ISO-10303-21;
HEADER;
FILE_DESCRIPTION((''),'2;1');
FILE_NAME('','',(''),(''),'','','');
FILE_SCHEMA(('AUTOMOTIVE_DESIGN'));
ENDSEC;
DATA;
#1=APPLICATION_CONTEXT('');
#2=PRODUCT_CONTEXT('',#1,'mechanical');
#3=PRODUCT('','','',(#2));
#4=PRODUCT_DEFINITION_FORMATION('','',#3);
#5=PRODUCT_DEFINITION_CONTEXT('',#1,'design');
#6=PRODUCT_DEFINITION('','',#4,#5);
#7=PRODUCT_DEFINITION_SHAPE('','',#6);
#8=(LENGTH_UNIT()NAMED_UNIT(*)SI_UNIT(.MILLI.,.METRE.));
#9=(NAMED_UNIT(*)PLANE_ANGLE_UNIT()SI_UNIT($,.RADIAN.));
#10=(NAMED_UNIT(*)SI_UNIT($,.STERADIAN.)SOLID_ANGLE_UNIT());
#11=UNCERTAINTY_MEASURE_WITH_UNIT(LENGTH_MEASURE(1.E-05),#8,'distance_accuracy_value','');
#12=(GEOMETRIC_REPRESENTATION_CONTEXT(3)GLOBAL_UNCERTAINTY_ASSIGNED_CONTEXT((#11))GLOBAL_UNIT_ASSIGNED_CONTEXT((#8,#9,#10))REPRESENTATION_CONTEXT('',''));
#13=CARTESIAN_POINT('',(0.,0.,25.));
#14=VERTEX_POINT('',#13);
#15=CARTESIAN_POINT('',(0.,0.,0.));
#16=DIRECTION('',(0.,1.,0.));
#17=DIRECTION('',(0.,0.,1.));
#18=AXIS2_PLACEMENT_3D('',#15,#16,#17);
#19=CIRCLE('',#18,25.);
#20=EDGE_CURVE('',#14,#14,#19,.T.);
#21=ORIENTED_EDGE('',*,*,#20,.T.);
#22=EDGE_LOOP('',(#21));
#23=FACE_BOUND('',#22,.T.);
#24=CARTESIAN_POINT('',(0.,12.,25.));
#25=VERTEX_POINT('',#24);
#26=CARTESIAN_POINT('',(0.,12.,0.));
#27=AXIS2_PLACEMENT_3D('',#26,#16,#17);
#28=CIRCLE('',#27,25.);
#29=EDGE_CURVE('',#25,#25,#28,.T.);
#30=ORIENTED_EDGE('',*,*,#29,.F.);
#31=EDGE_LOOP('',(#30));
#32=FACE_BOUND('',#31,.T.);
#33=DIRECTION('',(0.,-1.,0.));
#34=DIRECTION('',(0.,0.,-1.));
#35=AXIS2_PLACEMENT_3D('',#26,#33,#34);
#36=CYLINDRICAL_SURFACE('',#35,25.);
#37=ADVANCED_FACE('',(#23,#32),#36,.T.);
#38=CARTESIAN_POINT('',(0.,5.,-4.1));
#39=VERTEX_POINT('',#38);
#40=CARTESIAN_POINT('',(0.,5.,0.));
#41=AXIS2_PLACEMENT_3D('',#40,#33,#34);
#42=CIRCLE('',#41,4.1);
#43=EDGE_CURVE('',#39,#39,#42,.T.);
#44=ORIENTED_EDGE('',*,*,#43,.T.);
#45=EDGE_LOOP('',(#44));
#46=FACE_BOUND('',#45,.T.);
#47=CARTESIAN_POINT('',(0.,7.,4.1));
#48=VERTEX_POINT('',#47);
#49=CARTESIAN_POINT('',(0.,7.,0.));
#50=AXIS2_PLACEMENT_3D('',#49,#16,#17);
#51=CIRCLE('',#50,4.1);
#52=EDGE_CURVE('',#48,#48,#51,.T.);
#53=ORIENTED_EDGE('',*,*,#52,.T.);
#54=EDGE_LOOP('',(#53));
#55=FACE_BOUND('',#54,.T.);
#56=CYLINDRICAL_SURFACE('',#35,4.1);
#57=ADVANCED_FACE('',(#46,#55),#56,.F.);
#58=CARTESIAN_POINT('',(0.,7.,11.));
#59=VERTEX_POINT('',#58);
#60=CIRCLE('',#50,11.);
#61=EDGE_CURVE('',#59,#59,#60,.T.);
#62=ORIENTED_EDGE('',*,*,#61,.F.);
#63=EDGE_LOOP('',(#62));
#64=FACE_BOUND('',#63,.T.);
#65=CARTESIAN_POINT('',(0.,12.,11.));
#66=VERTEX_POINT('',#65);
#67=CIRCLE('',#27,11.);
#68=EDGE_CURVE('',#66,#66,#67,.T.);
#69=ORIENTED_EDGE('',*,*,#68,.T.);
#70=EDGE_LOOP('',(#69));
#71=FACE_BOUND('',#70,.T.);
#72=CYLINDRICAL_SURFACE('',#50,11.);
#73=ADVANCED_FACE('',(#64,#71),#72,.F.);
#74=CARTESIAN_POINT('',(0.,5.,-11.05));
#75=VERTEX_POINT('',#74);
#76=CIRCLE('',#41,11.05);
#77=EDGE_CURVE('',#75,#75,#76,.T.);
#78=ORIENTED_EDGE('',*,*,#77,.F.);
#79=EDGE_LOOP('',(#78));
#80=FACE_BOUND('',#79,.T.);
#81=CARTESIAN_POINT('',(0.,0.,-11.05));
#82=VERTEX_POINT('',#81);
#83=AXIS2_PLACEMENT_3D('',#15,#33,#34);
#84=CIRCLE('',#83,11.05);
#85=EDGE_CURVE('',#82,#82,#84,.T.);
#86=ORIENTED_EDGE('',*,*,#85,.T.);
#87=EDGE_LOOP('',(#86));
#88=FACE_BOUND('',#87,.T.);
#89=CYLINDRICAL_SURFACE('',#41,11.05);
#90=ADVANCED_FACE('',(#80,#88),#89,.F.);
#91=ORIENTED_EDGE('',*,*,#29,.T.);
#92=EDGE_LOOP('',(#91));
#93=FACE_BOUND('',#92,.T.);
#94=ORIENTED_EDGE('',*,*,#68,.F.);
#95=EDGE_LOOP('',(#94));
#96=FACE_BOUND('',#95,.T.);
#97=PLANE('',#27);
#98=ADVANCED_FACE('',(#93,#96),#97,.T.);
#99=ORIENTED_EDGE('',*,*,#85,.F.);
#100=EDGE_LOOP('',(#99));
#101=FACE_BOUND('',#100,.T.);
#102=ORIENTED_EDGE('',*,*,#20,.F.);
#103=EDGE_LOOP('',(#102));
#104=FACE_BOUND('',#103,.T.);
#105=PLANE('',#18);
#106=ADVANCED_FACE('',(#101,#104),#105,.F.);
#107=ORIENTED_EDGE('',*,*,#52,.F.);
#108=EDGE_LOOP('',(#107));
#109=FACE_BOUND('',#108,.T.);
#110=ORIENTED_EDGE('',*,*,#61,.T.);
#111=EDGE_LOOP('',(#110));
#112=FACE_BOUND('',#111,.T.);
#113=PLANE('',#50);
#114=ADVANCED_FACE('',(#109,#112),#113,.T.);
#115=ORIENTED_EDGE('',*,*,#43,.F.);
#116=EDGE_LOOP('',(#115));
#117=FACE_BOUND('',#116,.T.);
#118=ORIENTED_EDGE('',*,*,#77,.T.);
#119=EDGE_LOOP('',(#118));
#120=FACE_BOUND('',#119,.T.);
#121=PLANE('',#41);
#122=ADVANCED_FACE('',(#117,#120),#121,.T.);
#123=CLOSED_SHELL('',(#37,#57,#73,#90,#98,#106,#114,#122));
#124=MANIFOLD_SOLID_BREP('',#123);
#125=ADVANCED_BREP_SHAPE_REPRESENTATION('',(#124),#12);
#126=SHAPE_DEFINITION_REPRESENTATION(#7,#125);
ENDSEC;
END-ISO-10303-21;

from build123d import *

# Parameters (mm, degrees)
SKETCH1_R           = 25
SKETCH1_R_2         = 4.1
BOSS_EXTRUDE1_DEPTH = 12
SKETCH2_R           = 11
CUT_EXTRUDE1_DEPTH  = 5
SKETCH3_R           = 11.05
CUT_EXTRUDE2_DEPTH  = 5


with BuildPart() as part:
    # Sketch1 → Boss-Extrude1 (new body)
    with BuildSketch(Plane(origin=(0, 0, 0), x_dir=(1, 0, 0), z_dir=(0, 1, 0))):
        with Locations(Location((0, 0, 0), (0, 0, 270))):
            Circle(SKETCH1_R)
        with Locations(Location((0, 0, 0), (0, 0, 270))):
            Circle(SKETCH1_R_2, mode=Mode.SUBTRACT)
    extrude(amount=BOSS_EXTRUDE1_DEPTH)

    # Sketch2 → Cut-Extrude1 (cut)
    with BuildSketch(Plane(origin=(0, 12, 0), x_dir=(1, 0, 0), z_dir=(0, 1, 0))):
        with Locations(Location((0, 0, 0), (0, 0, 270))):
            Circle(SKETCH2_R)
    extrude(amount=-CUT_EXTRUDE1_DEPTH, mode=Mode.SUBTRACT)

    # Sketch3 → Cut-Extrude2 (cut)
    with BuildSketch(Plane.XZ):
        with Locations(Location((0, 0, 0), (0, 0, 270))):
            Circle(SKETCH3_R)
    extrude(amount=-CUT_EXTRUDE2_DEPTH, mode=Mode.SUBTRACT)


solid = part.part
